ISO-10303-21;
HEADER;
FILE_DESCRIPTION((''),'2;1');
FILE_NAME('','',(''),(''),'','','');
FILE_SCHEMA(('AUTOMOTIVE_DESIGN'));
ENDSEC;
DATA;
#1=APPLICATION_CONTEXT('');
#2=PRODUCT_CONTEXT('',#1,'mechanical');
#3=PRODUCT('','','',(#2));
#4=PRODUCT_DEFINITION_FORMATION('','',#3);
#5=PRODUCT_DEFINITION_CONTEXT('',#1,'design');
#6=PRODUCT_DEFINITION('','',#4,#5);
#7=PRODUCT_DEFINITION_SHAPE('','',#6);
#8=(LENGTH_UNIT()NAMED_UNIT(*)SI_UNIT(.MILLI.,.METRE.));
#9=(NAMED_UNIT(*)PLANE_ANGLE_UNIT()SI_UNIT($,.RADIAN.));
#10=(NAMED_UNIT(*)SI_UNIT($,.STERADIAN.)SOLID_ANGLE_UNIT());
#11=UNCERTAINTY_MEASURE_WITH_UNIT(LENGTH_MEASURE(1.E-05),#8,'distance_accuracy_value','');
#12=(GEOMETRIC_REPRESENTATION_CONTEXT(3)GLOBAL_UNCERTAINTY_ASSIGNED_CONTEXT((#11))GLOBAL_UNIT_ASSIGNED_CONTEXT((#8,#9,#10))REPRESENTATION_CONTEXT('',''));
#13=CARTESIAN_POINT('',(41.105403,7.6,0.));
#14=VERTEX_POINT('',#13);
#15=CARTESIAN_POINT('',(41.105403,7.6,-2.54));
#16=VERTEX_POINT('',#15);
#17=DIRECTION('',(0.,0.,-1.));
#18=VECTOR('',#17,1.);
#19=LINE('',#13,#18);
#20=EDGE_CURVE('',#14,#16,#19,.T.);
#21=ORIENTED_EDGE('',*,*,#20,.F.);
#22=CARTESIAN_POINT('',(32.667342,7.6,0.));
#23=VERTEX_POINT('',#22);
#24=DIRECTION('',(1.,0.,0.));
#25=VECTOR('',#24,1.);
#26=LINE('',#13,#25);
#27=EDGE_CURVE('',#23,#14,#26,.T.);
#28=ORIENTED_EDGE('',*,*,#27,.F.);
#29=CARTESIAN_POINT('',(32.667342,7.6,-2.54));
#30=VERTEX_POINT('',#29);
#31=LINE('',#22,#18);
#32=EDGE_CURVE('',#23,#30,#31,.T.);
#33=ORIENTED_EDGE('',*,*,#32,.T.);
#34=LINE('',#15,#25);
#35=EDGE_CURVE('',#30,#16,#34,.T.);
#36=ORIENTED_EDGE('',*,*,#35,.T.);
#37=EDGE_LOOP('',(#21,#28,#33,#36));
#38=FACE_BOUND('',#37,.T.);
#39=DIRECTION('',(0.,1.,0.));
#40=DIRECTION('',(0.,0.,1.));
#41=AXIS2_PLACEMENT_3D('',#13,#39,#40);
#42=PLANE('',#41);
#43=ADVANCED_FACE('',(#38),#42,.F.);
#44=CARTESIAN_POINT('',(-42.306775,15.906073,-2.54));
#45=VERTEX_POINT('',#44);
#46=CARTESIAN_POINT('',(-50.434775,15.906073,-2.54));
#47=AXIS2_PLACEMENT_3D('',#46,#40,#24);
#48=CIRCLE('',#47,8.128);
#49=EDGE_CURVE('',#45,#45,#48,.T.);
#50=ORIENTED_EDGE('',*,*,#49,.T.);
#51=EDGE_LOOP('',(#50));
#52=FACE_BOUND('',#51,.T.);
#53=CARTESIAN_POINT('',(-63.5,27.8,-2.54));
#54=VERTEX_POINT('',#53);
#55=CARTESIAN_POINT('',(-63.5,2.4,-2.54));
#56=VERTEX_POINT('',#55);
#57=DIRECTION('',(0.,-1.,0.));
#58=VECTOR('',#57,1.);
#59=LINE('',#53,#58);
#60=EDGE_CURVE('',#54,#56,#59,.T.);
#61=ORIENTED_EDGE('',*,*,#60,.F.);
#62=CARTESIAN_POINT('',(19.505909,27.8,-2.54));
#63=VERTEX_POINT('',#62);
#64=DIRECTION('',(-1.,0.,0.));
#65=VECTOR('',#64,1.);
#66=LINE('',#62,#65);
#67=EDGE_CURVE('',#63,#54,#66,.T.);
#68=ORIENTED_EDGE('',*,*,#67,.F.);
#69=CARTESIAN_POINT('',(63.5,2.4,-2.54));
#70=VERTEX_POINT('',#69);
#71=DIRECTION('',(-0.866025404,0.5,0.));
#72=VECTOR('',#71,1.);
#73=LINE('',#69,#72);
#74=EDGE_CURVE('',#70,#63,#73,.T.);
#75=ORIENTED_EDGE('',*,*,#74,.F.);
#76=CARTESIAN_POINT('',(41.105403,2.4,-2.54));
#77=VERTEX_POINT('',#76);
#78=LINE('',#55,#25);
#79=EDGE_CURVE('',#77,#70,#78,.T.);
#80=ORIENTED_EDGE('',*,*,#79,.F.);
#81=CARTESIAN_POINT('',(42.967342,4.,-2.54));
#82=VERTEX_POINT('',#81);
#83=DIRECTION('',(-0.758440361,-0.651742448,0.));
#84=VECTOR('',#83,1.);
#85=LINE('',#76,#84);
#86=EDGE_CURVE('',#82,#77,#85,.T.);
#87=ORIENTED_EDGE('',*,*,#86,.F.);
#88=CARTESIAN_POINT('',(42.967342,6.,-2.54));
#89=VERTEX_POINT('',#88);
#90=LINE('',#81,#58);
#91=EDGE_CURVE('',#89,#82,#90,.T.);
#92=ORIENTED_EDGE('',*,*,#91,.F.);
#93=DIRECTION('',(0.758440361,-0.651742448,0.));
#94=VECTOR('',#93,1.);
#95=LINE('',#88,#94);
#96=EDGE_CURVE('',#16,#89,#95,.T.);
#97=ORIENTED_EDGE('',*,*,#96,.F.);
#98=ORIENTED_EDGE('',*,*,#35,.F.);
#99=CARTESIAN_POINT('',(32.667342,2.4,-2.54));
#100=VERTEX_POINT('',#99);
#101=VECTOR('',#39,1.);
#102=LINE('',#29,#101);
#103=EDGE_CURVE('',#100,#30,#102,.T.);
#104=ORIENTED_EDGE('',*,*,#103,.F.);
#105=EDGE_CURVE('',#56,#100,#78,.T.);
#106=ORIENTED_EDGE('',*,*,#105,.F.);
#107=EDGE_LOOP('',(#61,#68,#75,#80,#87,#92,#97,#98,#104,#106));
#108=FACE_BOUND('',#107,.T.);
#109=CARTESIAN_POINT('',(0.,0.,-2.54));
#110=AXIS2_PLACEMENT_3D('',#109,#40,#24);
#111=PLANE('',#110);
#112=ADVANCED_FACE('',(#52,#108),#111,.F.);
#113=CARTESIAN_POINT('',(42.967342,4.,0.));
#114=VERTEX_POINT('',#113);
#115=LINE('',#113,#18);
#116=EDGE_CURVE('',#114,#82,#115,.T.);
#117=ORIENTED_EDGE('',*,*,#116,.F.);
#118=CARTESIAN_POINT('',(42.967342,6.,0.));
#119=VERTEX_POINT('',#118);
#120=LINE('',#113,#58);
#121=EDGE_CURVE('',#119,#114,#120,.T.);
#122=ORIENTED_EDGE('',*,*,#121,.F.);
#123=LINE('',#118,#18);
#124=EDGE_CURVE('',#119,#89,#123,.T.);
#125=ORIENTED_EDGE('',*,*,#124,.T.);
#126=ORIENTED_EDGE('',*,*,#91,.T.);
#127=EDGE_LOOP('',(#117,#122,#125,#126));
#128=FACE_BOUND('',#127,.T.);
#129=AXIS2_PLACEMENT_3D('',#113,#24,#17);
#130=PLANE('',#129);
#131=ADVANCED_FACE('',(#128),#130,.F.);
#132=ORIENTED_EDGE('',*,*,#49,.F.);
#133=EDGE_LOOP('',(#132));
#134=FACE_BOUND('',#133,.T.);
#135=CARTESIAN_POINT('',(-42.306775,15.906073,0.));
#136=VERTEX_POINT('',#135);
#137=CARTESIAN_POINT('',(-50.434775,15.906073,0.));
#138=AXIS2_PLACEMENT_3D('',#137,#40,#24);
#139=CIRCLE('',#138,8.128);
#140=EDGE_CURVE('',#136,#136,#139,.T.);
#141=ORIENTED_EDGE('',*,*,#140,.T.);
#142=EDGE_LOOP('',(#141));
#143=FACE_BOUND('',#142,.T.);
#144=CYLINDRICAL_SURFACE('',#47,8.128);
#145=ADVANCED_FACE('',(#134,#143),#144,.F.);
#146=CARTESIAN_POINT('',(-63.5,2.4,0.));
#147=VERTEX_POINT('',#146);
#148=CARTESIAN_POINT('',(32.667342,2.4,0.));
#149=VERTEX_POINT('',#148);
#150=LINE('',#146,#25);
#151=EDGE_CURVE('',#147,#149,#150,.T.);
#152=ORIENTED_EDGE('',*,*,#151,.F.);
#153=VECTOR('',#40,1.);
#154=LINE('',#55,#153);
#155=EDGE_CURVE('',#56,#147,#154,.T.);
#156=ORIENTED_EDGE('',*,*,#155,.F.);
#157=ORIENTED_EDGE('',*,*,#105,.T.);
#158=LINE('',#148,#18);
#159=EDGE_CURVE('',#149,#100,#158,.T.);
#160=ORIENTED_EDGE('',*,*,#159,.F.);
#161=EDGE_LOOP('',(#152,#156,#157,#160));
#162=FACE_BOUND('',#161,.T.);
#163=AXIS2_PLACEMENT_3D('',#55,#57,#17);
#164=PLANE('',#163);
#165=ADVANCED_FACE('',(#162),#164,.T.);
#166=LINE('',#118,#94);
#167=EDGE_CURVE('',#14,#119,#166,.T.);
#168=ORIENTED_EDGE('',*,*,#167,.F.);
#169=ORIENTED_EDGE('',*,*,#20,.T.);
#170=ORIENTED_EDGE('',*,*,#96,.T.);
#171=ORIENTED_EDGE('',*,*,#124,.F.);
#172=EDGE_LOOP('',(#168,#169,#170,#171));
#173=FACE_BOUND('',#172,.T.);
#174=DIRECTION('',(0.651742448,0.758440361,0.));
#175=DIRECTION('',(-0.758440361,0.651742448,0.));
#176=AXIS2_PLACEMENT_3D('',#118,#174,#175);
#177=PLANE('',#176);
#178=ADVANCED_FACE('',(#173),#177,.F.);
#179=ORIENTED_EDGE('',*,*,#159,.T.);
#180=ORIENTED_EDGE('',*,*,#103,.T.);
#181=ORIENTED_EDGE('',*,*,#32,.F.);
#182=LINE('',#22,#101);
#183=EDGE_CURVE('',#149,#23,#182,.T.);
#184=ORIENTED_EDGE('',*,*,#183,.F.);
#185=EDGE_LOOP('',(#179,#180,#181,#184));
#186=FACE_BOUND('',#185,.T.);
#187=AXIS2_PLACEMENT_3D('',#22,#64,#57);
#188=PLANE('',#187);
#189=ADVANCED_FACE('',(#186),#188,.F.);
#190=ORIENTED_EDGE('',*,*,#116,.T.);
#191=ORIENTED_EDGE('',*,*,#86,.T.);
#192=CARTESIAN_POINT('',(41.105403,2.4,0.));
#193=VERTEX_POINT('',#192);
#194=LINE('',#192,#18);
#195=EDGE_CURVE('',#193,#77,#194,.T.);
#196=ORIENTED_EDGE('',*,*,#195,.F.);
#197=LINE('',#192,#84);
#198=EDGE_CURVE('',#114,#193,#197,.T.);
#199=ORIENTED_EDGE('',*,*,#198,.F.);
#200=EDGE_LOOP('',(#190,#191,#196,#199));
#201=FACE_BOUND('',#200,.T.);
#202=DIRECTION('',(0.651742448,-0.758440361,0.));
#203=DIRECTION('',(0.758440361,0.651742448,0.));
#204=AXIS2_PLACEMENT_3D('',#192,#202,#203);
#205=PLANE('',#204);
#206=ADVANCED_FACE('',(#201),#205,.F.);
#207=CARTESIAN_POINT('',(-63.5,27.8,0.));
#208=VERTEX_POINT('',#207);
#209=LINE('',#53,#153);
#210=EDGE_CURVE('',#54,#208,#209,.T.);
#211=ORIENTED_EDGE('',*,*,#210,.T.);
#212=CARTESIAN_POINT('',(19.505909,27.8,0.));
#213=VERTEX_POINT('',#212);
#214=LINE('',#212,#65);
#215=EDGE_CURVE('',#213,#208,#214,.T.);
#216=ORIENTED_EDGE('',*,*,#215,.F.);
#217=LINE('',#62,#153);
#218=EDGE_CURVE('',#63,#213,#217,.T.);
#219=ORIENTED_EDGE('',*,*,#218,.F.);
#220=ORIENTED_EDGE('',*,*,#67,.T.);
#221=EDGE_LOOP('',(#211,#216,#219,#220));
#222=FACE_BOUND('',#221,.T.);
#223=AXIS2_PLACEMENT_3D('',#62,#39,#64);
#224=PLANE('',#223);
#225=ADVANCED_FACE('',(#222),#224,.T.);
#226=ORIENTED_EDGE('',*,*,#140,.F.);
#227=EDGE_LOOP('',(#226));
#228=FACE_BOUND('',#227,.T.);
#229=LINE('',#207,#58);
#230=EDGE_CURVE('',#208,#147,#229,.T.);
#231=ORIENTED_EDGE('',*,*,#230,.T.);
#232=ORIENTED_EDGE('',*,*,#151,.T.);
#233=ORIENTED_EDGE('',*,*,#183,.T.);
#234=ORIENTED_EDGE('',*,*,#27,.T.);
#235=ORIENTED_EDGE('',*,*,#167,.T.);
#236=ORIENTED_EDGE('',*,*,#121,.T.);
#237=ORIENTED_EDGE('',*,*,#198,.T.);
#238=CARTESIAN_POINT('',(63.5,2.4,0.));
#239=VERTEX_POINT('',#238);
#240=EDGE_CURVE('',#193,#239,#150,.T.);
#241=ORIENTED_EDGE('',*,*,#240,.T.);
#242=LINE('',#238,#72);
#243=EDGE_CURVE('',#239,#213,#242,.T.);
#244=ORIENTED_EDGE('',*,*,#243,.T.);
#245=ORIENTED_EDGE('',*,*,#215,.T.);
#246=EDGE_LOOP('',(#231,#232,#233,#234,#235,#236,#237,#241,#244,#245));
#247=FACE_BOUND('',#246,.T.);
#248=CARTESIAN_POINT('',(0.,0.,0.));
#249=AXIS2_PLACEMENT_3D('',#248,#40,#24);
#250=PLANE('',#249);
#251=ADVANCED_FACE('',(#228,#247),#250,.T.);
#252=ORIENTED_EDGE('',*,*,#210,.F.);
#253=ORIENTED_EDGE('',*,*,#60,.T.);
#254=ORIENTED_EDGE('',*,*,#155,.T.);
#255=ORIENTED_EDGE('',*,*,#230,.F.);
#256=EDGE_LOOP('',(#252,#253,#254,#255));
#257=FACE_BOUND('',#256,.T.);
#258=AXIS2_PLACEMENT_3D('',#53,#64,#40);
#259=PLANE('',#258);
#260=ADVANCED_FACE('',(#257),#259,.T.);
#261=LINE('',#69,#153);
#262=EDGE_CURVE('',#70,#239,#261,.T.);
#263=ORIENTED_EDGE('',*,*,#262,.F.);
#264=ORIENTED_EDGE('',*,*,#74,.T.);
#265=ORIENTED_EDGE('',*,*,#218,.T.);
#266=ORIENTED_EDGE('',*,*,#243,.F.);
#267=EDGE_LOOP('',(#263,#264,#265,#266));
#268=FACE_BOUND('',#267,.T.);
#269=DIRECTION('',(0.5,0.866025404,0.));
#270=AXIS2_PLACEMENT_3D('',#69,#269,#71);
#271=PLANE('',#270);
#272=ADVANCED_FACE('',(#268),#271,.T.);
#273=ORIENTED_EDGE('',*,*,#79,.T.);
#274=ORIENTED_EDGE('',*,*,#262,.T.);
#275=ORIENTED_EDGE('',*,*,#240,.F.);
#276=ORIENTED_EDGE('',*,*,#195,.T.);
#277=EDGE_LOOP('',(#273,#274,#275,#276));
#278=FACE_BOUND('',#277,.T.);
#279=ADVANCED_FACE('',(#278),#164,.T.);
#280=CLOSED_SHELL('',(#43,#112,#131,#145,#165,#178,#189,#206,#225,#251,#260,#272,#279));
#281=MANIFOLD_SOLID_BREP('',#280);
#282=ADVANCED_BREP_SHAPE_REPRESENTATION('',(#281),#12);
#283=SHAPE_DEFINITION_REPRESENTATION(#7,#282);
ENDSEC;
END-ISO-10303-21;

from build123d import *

# Parameters (mm, degrees)
BOSS_EXTRUDE1_DEPTH = 2.54
SKETCH3_R           = 8.128
CUT_EXTRUDE1_DEPTH  = 2.54
CUT_EXTRUDE2_DEPTH  = 3.54


with BuildPart() as part:
    # Sketch2 → Boss-Extrude1 (new body)
    with BuildSketch(Plane.XY):
        Polygon((-63.5, 2.4), (63.5, 2.4), (19.505909488, 27.8), (-63.5, 27.8), align=None)
    extrude(amount=-BOSS_EXTRUDE1_DEPTH)

    # Sketch3 → Cut-Extrude1 (cut)
    with BuildSketch(Plane.XY):
        with Locations((-50.434775134, 15.906072529)):
            Circle(SKETCH3_R)
    extrude(amount=-CUT_EXTRUDE1_DEPTH, mode=Mode.SUBTRACT)

    # Sketch4 → Cut-Extrude2 (cut, through all)
    with BuildSketch(Plane(origin=(0, 0, -2.54), x_dir=(-1, 0, 0), z_dir=(0, 0, -1))):
        Polygon((-41.105403431, 7.6), (-32.667342272, 7.6), (-32.667342272, 2.4), (-41.105403431, 2.4), (-42.967342272, 4), (-42.967342272, 6), align=None)
    extrude(amount=-CUT_EXTRUDE2_DEPTH, mode=Mode.SUBTRACT)


solid = part.part
